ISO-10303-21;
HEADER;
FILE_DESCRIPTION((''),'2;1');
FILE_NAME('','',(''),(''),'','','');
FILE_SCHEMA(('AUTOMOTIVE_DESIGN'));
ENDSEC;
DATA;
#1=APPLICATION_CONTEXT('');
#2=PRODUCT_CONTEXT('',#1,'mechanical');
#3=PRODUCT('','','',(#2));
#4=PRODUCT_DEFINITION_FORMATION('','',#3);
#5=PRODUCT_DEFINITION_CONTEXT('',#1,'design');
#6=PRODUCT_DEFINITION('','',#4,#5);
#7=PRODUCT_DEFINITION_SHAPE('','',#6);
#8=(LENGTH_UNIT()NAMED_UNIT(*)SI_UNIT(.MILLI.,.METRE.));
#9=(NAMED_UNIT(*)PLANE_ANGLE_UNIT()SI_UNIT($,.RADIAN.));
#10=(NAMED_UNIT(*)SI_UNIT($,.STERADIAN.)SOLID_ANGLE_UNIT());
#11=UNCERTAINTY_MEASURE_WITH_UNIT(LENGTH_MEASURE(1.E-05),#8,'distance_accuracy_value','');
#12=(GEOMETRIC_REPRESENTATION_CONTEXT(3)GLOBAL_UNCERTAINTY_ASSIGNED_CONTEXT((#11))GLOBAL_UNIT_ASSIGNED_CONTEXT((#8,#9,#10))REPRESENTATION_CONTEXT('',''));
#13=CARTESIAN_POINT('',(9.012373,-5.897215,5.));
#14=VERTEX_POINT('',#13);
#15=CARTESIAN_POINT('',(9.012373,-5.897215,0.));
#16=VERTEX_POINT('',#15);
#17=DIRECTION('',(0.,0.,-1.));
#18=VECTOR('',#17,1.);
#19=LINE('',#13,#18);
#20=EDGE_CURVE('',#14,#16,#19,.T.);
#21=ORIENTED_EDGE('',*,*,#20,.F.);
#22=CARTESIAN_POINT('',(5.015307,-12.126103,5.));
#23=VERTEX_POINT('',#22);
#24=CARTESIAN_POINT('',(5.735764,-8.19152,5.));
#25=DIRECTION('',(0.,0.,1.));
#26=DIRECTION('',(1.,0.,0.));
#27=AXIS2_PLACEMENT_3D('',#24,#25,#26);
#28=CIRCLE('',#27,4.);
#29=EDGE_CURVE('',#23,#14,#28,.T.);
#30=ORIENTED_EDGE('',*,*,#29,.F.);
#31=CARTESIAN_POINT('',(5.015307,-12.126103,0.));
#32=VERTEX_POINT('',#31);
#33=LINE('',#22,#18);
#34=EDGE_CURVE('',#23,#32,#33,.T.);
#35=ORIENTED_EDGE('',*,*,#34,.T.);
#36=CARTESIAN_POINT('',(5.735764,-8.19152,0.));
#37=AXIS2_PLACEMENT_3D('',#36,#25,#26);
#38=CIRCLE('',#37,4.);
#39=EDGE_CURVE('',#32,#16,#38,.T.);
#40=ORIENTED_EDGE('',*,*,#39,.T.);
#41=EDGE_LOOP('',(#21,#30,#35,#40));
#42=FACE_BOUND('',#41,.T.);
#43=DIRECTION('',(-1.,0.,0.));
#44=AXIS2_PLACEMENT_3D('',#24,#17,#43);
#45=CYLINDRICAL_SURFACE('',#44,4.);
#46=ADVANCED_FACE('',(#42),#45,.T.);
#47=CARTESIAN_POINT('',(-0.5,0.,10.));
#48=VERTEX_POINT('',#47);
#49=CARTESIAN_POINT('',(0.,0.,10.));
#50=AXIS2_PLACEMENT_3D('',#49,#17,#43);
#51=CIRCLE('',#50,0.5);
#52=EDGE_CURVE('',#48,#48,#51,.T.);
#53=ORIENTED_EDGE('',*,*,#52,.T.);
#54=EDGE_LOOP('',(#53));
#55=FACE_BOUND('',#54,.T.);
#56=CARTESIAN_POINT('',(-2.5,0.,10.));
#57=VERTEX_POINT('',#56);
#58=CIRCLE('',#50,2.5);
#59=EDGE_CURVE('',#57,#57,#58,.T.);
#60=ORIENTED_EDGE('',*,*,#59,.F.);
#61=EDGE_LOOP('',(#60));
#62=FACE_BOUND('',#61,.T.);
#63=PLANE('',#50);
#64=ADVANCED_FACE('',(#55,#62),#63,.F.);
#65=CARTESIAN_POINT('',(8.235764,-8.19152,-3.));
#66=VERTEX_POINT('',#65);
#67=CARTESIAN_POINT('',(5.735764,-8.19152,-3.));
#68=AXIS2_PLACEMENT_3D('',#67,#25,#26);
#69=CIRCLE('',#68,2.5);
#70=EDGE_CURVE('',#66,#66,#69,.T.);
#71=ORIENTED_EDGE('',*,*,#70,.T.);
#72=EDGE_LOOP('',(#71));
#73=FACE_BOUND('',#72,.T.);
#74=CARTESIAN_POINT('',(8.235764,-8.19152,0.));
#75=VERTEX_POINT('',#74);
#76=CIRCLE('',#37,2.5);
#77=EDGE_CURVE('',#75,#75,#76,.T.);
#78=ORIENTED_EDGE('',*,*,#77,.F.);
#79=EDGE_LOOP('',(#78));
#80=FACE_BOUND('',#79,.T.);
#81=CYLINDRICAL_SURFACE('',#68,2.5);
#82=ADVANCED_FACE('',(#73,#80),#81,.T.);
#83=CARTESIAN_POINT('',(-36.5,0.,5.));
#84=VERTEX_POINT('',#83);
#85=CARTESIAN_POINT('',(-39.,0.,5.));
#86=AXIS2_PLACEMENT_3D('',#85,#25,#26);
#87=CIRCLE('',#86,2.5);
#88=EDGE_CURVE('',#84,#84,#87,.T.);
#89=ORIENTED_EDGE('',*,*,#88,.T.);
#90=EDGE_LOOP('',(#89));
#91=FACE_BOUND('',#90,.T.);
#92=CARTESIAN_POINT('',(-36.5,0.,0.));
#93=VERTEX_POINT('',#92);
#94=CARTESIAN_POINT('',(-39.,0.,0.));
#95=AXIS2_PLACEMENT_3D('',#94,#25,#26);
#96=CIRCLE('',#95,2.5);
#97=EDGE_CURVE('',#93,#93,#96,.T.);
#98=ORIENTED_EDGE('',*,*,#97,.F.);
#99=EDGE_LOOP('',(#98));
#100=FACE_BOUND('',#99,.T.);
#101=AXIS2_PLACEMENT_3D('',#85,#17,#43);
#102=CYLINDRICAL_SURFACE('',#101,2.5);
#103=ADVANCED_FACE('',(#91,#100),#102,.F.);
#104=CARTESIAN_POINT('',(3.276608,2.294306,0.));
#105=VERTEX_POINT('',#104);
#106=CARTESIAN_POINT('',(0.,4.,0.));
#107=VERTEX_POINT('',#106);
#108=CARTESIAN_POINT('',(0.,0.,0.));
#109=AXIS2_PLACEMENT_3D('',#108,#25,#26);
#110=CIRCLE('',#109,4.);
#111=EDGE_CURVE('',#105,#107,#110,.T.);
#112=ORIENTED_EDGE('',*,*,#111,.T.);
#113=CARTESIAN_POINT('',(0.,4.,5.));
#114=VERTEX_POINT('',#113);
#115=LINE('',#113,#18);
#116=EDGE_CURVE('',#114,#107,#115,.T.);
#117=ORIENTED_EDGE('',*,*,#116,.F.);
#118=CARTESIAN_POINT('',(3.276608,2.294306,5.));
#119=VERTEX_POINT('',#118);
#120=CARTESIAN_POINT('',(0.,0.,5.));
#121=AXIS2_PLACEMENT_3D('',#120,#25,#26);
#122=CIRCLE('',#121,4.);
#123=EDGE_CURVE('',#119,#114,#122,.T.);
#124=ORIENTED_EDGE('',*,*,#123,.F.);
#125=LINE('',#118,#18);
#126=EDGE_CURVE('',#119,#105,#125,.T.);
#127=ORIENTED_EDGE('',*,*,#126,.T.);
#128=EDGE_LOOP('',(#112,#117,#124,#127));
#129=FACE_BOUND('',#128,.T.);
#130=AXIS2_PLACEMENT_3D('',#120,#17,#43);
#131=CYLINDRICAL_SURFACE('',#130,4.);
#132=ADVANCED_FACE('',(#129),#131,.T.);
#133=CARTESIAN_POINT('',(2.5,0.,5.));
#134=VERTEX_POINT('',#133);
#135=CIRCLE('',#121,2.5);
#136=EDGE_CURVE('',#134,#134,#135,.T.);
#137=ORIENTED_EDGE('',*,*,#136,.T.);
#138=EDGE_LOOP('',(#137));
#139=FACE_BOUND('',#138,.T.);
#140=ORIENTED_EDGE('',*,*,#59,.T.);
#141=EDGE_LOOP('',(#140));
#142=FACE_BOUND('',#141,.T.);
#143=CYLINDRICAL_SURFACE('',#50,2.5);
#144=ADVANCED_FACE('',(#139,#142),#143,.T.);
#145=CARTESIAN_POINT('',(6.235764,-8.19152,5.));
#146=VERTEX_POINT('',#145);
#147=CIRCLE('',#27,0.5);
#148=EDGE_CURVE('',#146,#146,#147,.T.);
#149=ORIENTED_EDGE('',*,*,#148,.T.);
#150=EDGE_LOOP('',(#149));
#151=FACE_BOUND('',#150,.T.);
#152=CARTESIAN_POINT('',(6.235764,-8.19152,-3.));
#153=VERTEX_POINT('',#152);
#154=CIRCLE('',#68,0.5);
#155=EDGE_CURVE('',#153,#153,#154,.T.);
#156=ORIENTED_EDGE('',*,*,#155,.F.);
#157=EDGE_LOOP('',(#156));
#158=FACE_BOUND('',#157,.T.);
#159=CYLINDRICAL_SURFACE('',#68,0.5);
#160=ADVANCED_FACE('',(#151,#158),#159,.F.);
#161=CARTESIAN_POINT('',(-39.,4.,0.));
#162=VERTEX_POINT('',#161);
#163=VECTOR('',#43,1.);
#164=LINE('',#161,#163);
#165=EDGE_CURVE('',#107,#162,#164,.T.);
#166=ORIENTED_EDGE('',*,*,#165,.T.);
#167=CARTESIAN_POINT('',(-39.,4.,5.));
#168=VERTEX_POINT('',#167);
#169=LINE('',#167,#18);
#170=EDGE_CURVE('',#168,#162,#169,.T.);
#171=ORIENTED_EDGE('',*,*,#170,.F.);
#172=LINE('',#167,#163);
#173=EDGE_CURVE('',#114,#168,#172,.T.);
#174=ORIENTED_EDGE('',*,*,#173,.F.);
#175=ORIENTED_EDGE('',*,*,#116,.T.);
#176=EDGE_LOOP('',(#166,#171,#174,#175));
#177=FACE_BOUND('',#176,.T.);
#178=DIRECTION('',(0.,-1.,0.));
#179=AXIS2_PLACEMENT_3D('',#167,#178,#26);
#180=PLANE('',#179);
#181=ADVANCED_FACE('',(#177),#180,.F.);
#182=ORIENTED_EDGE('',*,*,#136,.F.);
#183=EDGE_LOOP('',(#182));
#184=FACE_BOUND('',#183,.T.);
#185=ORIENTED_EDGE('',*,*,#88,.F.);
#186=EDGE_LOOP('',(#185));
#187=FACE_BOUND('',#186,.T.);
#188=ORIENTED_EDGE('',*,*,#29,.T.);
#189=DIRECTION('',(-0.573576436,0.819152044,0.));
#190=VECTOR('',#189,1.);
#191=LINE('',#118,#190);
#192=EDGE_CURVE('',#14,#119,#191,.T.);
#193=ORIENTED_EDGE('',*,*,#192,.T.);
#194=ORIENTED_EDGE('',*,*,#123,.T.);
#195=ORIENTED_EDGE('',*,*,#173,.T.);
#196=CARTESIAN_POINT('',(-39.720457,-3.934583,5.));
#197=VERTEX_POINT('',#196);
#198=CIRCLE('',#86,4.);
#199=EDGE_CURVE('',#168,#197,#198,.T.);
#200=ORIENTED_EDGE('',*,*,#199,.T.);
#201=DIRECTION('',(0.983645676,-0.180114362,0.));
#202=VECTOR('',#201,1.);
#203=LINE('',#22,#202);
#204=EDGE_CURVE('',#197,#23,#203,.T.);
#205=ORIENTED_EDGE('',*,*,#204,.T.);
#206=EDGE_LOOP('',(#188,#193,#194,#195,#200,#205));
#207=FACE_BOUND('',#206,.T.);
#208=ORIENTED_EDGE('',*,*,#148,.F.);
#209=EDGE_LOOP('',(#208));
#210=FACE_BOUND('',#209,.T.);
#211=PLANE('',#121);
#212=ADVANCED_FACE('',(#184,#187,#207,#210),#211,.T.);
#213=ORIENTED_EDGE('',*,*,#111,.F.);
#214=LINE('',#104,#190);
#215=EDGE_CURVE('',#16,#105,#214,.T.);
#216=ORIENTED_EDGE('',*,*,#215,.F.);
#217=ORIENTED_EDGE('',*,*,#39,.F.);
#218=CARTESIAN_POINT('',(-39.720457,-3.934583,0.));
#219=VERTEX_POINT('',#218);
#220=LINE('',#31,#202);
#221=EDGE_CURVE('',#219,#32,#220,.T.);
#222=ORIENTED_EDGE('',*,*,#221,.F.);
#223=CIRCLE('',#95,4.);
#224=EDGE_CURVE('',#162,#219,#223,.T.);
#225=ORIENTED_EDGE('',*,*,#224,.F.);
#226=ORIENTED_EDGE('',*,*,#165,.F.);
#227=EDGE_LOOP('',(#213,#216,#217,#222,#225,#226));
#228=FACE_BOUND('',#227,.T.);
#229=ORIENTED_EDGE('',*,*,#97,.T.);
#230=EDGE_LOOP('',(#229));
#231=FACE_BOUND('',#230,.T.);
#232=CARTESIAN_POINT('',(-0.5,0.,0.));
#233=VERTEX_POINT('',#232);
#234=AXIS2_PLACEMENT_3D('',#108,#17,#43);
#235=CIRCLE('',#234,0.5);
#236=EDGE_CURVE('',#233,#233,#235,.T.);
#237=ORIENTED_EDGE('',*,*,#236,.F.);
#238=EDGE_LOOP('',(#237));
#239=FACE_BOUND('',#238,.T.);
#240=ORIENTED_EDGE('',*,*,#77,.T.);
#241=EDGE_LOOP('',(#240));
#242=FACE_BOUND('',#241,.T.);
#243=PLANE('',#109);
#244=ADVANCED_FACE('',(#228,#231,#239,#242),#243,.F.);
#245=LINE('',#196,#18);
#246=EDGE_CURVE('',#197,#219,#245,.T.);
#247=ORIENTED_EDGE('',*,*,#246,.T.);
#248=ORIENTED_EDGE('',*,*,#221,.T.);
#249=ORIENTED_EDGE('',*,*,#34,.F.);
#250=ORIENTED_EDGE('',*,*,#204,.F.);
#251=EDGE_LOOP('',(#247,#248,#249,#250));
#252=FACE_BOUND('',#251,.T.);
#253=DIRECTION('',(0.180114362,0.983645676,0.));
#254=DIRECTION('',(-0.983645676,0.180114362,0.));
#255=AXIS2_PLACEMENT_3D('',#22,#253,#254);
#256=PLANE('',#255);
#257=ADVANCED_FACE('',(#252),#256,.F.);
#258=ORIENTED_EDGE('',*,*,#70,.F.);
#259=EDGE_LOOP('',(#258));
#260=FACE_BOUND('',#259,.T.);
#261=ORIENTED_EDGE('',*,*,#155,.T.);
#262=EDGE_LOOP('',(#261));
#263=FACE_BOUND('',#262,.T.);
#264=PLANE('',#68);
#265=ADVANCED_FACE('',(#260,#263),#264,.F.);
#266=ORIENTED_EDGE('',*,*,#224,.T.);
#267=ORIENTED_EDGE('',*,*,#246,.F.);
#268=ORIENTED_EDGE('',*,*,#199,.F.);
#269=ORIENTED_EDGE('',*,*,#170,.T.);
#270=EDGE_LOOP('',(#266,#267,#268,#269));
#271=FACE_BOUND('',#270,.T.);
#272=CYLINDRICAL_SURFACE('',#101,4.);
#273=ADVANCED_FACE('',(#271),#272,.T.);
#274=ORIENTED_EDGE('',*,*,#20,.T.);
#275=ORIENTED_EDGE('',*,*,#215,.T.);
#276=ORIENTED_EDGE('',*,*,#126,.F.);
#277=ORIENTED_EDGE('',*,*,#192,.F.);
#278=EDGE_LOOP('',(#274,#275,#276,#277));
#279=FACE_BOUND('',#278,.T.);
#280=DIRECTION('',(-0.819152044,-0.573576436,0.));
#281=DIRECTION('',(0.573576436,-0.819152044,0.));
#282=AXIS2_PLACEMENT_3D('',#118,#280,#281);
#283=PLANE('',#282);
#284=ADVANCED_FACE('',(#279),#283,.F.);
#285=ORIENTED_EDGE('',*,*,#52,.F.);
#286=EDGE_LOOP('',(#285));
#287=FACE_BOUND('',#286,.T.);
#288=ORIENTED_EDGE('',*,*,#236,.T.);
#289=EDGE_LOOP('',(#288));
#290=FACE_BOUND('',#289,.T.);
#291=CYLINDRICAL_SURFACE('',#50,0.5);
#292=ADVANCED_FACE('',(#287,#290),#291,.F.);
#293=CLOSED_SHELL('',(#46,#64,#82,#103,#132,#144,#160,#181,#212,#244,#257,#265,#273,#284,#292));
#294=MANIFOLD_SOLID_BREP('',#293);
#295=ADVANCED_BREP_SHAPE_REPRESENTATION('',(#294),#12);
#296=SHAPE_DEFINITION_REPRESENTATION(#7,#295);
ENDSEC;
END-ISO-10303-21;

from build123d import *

# Parameters (mm, degrees)
SKETCH2_R           = 2.5
BOSS_EXTRUDE1_DEPTH = 5
BOSS_EXTRUDE2_START = -8
SKETCH3_R           = 2.5
SKETCH3_R_2         = 0.5
BOSS_EXTRUDE2_DEPTH = 8
SKETCH4_R           = 2.5
SKETCH4_R_2         = 0.5
BOSS_EXTRUDE3_DEPTH = 10


with BuildPart() as part:
    # Sketch2 → Boss-Extrude1 (new body)
    with BuildSketch(Plane.XY):
        with BuildLine():
            Line((-39, 4), (0, 4))
            ThreePointArc((0, 4), (1.846994453, 3.548043333), (3.276608177, 2.294305745))
            Line((3.276608177, 2.294305745), (9.012372541, -5.897214697))
            ThreePointArc((9.012372541, -5.897214697), (9.102252069, -10.351789068), (5.015306915, -12.126103148))
            Line((5.015306915, -12.126103148), (-39.720457449, -3.934582705))
            ThreePointArc((-39.720457449, -3.934582705), (-42.983612106, 0.361710643), (-39, 4))
        make_face()
        with Locations((-39, 0)):
            Circle(SKETCH2_R, mode=Mode.SUBTRACT)
        Circle(SKETCH2_R, mode=Mode.SUBTRACT)
        with Locations((5.735764364, -8.191520443)):
            Circle(SKETCH2_R, mode=Mode.SUBTRACT)
    extrude(amount=BOSS_EXTRUDE1_DEPTH)

    # Sketch3 → Boss-Extrude2 (add)
    with BuildSketch(Plane.XY.offset(5).offset(BOSS_EXTRUDE2_START)):
        with Locations((5.735764364, -8.191520443)):
            Circle(SKETCH3_R)
        with Locations((5.735764364, -8.191520443)):
            Circle(SKETCH3_R_2, mode=Mode.SUBTRACT)
    extrude(amount=BOSS_EXTRUDE2_DEPTH)

    # Sketch4 → Boss-Extrude3 (add)
    with BuildSketch(Plane(origin=(0, 0, 0), x_dir=(-1, 0, 0), z_dir=(0, 0, -1))):
        Circle(SKETCH4_R)
        Circle(SKETCH4_R_2, mode=Mode.SUBTRACT)
    extrude(amount=-BOSS_EXTRUDE3_DEPTH)


solid = part.part
